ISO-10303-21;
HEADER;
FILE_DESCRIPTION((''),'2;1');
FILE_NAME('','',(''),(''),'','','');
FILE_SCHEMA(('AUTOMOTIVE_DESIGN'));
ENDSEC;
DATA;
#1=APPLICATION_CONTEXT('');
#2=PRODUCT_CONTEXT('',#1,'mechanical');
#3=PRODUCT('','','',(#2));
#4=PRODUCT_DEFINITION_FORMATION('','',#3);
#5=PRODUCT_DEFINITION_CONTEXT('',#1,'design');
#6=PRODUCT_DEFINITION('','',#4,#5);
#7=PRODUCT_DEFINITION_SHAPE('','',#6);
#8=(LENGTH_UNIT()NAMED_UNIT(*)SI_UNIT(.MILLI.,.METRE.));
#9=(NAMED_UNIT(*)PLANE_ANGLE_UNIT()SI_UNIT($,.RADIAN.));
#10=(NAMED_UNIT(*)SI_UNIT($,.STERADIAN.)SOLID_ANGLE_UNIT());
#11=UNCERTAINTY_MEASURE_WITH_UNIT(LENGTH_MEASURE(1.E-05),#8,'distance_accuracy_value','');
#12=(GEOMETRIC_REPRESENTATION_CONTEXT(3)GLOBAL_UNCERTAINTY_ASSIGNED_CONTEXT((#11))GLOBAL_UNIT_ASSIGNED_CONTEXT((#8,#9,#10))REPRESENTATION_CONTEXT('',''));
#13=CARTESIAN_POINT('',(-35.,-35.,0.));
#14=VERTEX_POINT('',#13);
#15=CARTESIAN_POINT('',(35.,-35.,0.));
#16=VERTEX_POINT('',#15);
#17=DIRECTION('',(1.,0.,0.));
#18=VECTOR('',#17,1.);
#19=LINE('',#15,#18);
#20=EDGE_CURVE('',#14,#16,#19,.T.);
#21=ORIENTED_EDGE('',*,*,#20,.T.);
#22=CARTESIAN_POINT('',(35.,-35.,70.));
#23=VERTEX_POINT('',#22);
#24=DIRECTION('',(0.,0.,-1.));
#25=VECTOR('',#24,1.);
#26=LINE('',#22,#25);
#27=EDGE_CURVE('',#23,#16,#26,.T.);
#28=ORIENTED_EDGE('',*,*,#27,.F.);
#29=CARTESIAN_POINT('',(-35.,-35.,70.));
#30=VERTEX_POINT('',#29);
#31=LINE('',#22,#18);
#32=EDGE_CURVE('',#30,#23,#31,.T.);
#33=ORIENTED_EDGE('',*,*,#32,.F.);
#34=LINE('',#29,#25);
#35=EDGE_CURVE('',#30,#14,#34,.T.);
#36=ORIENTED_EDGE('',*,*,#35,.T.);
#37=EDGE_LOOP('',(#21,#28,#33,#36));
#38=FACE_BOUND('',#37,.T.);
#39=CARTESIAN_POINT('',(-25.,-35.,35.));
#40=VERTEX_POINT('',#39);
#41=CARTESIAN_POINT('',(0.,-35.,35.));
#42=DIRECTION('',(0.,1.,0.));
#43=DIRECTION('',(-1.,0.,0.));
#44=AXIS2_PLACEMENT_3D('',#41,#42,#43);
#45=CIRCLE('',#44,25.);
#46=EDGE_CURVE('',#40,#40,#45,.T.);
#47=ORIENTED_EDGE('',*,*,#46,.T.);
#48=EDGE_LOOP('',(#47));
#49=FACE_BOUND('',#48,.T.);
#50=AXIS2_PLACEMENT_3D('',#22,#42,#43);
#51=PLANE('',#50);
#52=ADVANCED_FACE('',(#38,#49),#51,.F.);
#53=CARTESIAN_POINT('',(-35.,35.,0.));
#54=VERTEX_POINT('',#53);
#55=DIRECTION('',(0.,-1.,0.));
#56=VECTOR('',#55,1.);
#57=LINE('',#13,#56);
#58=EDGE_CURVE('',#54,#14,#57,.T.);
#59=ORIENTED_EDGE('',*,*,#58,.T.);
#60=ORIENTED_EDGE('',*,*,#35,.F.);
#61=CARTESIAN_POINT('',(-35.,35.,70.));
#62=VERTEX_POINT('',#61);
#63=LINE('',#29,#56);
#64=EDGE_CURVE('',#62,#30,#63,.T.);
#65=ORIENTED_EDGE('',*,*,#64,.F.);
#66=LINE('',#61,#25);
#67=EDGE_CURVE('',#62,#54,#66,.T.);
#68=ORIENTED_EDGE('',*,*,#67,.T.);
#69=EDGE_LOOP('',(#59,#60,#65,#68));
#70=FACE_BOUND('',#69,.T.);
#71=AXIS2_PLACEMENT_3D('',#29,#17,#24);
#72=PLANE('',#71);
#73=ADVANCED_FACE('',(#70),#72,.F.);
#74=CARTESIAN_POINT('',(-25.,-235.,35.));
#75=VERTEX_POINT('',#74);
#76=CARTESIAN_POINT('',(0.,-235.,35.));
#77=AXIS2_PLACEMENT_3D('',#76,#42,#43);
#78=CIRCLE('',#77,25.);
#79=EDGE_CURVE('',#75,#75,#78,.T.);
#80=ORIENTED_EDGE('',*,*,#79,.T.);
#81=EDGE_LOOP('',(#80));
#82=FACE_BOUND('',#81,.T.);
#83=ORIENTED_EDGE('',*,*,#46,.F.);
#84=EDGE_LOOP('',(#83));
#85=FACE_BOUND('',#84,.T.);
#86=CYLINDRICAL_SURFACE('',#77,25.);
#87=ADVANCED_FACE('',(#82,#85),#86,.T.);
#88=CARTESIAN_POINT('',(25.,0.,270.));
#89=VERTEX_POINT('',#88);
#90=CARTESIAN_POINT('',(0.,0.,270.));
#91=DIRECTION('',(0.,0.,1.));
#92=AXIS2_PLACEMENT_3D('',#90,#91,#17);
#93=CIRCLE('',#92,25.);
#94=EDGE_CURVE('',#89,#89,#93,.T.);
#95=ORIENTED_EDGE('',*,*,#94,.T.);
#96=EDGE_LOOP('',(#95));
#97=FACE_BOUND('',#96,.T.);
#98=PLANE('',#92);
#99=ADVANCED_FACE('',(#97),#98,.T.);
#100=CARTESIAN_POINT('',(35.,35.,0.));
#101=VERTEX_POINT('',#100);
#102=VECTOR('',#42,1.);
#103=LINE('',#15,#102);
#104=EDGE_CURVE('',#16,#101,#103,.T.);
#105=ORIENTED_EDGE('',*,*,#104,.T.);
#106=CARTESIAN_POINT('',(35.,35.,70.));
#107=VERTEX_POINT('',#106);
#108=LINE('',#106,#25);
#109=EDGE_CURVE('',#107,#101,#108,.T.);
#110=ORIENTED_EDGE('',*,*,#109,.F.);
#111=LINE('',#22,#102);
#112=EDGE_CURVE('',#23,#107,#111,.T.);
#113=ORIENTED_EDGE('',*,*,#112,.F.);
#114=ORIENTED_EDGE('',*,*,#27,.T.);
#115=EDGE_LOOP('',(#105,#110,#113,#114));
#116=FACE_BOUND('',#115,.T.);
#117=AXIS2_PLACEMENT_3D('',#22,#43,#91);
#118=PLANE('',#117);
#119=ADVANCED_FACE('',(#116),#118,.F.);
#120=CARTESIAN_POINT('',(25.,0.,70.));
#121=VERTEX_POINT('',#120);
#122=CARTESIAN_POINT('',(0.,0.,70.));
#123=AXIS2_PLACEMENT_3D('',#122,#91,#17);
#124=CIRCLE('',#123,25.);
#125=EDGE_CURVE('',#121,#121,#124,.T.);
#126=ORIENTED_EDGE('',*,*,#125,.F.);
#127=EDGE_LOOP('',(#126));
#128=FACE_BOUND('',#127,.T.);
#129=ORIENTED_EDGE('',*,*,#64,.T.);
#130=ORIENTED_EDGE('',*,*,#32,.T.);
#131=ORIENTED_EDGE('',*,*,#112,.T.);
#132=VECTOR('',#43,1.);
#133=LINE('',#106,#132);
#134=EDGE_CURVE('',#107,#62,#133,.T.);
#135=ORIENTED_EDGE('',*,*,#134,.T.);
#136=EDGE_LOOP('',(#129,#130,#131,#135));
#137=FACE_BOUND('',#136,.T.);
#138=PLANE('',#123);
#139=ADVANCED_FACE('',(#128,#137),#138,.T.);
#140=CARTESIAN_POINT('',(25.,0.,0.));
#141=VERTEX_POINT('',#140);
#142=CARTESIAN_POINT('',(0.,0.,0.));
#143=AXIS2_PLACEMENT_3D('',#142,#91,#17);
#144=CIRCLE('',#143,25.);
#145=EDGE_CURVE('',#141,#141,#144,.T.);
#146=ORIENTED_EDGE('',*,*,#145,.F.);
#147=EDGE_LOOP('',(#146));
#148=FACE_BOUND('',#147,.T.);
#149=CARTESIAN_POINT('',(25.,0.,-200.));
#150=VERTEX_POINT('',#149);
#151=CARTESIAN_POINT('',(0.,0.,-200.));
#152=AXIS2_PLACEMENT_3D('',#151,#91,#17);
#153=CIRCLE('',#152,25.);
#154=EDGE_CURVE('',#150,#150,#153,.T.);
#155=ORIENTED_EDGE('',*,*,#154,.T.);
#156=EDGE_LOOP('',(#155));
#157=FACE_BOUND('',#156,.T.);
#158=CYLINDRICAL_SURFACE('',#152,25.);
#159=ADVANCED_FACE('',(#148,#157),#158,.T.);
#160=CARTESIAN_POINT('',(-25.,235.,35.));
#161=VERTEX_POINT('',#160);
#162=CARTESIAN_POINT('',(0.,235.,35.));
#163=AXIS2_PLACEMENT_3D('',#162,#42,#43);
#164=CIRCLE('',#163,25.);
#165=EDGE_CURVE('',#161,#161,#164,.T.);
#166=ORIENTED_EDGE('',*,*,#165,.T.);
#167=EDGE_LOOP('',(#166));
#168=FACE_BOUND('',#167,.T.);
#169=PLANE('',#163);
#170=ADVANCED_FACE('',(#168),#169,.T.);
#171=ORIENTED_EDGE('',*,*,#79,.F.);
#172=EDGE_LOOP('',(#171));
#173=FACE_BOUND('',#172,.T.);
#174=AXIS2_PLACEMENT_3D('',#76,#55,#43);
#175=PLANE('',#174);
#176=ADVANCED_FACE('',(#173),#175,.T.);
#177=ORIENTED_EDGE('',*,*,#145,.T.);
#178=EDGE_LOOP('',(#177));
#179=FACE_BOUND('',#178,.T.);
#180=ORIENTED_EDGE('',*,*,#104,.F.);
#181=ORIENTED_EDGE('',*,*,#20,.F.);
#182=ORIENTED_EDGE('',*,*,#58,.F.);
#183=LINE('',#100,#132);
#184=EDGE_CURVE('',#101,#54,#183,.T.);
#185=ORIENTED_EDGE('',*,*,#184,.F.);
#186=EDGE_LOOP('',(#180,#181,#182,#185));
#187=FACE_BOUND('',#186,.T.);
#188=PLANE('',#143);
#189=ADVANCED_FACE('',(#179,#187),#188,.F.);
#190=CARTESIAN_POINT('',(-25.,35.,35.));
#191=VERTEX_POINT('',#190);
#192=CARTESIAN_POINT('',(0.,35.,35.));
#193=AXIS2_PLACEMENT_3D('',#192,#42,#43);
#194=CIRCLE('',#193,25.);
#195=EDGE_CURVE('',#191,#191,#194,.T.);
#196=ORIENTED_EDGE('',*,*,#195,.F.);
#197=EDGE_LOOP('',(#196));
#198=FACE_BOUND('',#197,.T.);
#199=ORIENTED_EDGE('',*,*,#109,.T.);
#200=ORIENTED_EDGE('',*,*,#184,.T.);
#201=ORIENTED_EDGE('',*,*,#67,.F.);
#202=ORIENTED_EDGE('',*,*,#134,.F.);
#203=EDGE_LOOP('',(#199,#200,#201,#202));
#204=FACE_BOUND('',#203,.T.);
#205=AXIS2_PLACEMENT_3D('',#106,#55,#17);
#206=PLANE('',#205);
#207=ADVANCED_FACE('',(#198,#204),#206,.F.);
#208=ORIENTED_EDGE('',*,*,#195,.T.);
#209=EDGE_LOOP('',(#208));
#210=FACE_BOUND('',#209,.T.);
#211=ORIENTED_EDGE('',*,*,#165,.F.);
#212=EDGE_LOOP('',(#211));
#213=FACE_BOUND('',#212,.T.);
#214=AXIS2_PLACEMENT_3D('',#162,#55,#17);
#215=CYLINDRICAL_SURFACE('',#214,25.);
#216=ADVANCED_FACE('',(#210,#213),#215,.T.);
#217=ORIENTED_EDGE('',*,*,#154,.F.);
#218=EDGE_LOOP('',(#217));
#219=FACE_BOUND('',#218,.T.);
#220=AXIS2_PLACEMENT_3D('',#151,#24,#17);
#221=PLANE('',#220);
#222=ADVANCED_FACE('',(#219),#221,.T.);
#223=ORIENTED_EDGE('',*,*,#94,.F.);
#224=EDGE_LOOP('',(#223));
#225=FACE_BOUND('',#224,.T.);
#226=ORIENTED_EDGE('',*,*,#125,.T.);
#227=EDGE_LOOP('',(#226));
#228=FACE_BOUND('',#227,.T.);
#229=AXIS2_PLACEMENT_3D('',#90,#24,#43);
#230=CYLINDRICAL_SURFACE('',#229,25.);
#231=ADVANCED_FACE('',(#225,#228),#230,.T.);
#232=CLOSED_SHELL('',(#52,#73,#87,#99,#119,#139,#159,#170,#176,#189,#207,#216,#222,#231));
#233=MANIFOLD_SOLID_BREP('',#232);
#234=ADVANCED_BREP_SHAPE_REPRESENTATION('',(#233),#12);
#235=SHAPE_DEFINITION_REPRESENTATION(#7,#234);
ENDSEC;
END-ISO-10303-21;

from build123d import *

# Parameters (mm, degrees)
SKETCH_1_W      = 70
SKETCH_1_H      = 70
EXTRUDE_1_DEPTH = 70
SKETCH_4_R      = 25
EXTRUDE_2_DEPTH = 200
SKETCH_5_R      = 25
EXTRUDE_3_DEPTH = 200


with BuildPart() as part:
    # 스케치1 → 보스-돌출1 (new body)
    with BuildSketch(Plane.XY):
        Rectangle(SKETCH_1_W, SKETCH_1_H)
    extrude(amount=EXTRUDE_1_DEPTH)

    # 스케치4 → 보스-돌출2 (add)
    with BuildSketch(Plane.XY.offset(70)):
        Circle(SKETCH_4_R)
    extrude_2 = extrude(amount=EXTRUDE_2_DEPTH)

    # 대칭 복사1: 보스-돌출2 across plane
    add(extrude_2.mirror(Plane.XY.offset(35)))

    # 스케치5 → 보스-돌출3 (add)
    with BuildSketch(Plane(origin=(0, 35, 0), x_dir=(1, 0, 0), z_dir=(0, 1, 0))):
        with Locations(Location((0, -35, 0), (0, 0, 180))):
            Circle(SKETCH_5_R)
    extrude_3 = extrude(amount=EXTRUDE_3_DEPTH)

    # 대칭 복사2: 보스-돌출3 across plane
    add(extrude_3.mirror(Plane.ZX))


solid = part.part
